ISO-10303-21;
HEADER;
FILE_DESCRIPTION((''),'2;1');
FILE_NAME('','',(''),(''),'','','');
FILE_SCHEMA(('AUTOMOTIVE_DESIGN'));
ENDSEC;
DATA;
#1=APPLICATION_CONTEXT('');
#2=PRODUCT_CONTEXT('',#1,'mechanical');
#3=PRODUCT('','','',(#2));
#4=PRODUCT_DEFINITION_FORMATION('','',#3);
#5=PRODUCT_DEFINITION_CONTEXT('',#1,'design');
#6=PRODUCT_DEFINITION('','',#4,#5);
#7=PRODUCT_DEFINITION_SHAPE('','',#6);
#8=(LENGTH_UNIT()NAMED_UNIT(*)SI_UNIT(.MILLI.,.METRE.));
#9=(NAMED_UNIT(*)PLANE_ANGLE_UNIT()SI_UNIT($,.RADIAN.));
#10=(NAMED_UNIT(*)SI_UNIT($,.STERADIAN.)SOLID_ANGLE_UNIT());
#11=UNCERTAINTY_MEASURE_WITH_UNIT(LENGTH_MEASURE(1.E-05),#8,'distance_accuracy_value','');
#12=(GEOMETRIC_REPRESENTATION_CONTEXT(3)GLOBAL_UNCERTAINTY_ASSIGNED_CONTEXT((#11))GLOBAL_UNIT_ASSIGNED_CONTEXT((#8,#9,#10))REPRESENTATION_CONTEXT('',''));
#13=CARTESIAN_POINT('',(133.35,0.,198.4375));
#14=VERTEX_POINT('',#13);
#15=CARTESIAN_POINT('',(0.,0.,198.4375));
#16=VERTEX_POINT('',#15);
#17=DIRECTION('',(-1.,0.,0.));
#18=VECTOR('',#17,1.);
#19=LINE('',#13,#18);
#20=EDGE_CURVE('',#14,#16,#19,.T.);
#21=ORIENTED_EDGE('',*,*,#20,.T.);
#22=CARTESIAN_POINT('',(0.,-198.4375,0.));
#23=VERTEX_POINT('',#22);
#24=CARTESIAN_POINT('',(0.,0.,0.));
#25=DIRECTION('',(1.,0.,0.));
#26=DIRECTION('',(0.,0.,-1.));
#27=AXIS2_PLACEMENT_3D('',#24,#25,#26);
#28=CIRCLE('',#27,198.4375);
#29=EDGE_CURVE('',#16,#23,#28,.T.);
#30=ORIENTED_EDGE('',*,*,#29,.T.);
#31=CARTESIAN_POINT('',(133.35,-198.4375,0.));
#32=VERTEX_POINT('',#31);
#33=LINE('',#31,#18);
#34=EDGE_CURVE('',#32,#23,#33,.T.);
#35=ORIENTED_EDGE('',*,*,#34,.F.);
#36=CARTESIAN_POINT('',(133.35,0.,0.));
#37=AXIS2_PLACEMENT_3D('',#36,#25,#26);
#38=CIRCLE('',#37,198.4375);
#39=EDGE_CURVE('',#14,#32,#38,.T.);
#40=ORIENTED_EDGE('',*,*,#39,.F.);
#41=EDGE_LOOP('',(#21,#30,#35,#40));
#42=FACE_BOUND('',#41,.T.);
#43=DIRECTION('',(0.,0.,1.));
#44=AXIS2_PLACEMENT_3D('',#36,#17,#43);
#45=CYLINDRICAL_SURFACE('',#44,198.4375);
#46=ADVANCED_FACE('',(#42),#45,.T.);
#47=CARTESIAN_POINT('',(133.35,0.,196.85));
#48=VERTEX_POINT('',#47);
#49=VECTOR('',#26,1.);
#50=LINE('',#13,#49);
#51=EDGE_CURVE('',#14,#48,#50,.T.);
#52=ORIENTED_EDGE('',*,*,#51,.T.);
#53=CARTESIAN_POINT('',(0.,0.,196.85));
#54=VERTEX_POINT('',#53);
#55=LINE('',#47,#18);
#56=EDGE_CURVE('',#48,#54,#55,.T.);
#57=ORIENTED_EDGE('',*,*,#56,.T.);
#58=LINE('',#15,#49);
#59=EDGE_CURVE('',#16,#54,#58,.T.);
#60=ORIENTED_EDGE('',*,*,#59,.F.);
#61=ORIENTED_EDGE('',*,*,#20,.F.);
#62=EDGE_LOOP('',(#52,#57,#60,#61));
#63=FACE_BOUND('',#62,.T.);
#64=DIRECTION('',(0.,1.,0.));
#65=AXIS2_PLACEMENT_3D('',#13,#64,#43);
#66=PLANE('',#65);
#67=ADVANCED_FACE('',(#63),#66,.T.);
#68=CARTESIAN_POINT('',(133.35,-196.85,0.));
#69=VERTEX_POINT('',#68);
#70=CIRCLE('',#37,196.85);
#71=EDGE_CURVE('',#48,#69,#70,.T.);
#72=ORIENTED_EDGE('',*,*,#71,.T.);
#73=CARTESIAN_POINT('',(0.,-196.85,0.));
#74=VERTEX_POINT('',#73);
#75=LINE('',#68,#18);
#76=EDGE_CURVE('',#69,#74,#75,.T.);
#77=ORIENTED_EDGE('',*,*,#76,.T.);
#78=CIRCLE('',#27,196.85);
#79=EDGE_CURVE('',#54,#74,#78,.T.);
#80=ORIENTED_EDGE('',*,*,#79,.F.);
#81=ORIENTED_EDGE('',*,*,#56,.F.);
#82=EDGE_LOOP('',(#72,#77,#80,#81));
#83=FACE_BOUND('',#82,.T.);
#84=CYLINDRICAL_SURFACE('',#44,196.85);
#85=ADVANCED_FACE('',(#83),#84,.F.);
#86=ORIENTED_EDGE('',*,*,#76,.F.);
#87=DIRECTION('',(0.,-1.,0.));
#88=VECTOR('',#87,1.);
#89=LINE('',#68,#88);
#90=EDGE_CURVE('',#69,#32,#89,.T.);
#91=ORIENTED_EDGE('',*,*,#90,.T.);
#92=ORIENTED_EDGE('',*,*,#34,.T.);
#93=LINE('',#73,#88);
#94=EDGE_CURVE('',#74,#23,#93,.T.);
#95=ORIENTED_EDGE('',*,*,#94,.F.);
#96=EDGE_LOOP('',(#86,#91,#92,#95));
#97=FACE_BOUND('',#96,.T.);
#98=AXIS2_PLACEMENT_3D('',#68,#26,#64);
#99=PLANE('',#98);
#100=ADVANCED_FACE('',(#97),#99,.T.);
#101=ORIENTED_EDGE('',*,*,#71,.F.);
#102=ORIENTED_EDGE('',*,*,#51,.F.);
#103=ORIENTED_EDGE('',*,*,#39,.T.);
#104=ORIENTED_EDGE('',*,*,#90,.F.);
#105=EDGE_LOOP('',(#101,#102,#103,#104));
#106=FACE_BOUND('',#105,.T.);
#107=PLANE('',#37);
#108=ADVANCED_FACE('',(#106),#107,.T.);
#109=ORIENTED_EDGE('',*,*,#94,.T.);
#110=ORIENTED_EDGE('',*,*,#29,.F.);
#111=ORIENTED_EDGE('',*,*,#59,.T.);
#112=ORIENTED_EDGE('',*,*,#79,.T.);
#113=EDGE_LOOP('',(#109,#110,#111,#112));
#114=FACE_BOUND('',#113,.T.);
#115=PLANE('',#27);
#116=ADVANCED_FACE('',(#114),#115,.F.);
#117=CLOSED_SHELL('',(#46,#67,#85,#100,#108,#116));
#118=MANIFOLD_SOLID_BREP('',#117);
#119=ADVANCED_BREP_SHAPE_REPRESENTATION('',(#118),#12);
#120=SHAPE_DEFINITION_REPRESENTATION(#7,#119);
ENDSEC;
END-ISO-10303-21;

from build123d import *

# Parameters (mm, degrees)
EXTRUDE_THIN1_DEPTH = 133.35


with BuildPart() as part:
    # Sketch1 → Extrude-Thin1 (new body)
    with BuildSketch(Plane(origin=(0, 0, 0), x_dir=(0, 0, -1), z_dir=(1, 0, 0))):
        with BuildLine():
            ThreePointArc((-196.85, 0), (-139.193969877, -139.193969877), (0, -196.85))
            Line((0, -196.85), (0, -198.4375))
            ThreePointArc((0, -198.4375), (-140.316501892, -140.316501892), (-198.4375, 0))
            Line((-198.4375, 0), (-196.85, 0))
        make_face()
    extrude(amount=EXTRUDE_THIN1_DEPTH)


solid = part.part
